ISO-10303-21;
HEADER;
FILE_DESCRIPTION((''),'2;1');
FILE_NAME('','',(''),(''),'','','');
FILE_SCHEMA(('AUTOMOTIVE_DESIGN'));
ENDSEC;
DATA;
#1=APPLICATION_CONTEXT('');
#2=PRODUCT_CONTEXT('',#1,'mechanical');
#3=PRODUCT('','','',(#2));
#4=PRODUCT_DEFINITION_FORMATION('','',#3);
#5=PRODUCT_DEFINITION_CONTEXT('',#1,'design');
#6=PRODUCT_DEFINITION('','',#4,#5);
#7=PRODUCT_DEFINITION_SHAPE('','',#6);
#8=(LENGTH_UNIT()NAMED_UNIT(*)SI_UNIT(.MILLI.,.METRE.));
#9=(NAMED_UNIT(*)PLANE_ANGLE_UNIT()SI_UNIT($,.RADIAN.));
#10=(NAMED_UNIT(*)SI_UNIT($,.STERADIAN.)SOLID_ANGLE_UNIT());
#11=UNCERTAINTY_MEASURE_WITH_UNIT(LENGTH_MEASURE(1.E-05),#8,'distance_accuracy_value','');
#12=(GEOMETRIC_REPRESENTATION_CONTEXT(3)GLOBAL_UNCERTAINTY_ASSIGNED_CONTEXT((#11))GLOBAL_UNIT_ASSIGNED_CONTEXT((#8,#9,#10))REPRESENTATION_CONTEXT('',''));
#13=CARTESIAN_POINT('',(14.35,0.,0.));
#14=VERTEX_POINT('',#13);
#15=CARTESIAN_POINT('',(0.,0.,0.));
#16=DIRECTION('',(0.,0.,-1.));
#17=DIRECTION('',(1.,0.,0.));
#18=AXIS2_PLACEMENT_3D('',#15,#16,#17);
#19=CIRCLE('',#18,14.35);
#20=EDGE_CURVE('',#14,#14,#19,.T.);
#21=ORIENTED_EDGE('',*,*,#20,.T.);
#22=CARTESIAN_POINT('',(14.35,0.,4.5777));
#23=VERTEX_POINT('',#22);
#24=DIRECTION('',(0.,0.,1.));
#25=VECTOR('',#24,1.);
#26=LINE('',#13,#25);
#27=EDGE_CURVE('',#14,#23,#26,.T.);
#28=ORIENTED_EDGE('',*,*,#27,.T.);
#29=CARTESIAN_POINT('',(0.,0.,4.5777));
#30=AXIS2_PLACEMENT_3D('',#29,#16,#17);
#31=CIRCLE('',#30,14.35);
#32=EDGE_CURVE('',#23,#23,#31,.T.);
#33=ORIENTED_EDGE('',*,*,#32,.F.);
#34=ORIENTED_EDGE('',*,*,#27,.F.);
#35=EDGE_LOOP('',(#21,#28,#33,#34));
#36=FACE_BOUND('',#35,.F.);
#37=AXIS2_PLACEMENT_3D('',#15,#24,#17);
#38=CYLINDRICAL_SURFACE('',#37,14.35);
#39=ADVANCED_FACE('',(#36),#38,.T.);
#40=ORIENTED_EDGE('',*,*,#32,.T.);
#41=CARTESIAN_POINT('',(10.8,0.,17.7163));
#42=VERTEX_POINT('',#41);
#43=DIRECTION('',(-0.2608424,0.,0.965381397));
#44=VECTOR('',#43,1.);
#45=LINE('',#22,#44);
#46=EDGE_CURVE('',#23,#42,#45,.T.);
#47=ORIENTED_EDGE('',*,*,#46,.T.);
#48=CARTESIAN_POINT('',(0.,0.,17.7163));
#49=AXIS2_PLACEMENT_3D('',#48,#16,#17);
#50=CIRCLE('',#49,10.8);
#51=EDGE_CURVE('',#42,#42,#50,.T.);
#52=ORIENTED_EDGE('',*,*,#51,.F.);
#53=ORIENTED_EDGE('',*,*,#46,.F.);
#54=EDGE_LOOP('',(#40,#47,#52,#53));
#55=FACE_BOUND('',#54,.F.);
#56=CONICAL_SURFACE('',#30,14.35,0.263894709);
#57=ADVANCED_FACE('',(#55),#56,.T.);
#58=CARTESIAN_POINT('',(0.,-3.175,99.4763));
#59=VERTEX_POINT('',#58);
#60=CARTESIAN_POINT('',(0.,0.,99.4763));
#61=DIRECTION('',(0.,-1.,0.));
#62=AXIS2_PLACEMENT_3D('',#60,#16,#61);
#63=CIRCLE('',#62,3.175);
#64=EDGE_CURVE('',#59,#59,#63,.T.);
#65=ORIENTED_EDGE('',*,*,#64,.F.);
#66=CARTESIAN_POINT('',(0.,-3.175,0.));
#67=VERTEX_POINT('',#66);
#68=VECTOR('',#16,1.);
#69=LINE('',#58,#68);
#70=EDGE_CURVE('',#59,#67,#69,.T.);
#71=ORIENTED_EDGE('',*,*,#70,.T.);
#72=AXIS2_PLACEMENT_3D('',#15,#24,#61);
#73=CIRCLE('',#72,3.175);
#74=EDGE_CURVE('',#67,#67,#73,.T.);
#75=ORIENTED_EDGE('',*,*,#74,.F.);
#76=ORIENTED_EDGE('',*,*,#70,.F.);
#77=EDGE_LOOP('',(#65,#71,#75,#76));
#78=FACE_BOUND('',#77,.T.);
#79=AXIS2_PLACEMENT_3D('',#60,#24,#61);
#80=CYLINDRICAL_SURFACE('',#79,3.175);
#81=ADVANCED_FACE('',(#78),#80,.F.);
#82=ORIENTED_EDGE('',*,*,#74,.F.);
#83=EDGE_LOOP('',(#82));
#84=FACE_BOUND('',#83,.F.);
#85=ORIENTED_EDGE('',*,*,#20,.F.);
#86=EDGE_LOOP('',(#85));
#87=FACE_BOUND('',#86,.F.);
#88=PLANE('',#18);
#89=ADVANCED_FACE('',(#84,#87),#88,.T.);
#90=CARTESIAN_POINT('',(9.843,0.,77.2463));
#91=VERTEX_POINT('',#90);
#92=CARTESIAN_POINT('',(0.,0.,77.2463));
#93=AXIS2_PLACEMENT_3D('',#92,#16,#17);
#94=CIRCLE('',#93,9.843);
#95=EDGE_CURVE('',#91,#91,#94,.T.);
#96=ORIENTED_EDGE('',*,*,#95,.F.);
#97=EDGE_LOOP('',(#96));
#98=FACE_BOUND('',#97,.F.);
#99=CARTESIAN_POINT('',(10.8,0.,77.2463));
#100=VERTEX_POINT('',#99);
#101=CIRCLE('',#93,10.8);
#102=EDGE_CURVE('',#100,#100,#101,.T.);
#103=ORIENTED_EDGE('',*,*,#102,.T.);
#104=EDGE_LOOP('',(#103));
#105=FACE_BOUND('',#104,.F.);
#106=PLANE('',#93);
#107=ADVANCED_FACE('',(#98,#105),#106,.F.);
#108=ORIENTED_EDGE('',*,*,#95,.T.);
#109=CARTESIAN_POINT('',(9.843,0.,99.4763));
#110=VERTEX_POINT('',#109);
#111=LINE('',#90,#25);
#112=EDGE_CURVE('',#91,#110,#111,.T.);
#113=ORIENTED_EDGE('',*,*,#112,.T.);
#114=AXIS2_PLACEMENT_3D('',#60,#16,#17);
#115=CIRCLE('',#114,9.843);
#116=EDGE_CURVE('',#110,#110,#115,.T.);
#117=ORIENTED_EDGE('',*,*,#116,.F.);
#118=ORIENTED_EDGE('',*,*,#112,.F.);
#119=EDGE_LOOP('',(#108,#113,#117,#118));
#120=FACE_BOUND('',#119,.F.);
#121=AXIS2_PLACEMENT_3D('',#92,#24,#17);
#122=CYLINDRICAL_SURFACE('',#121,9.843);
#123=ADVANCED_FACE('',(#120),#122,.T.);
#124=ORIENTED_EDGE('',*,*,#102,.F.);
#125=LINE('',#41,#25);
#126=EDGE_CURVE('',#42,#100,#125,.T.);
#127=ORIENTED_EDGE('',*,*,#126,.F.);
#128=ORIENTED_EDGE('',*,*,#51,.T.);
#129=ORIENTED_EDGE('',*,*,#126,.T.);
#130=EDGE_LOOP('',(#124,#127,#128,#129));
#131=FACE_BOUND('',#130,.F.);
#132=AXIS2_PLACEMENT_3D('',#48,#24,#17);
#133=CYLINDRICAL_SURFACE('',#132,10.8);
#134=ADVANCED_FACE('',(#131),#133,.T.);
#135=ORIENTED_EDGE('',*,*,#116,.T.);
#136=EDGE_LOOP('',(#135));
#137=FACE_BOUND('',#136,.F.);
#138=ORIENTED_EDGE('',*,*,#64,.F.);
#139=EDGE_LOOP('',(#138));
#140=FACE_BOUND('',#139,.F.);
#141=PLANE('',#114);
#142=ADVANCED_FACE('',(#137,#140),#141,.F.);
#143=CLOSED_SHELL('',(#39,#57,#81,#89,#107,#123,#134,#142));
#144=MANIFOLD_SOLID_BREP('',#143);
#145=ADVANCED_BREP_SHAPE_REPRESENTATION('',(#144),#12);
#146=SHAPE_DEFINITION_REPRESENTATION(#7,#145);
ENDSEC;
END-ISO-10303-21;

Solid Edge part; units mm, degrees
sketch "Sketch1" plane through (0, 0, 0) normal (0, -1, 0) x (1, 0, 0)
  line L0 (0, 0) -> (14.35, 0)
  line L1 (14.35, 0) -> (14.35, 4.5777)
  line L2 (14.35, 4.5777) -> (10.8, 17.7163)
  line L3 (10.8, 17.7163) -> (10.8, 99.4763)
  line L4 (10.8, 99.4763) -> (0, 99.4763)
  line L5 (0, 99.4763) -> (0, 0)
  dimension "D1" = 14.35
  dimension "D2" = 4.5777
  dimension "D3" = 10.8
  dimension "D4" = 81.76
revolve "RevolvedProtrusion1" add sketch "Sketch1" angle 360 about axis through (0, 0, 54) along (0, 0, -1)
sketch "Sketch2" plane through (0, 0, 0) normal (0, -1, 0) x (1, 0, 0)
  line L0 (10.8, 99.4763) -> (10.8, 77.2463)
  line L1 (10.8, 77.2463) -> (9.843, 77.2463)
  line L2 (9.843, 77.2463) -> (9.843, 99.4763)
  line L3 (9.843, 99.4763) -> (10.8, 99.4763)
  dimension "D1" = 22.23
  dimension "D2" = 9.843
revolve "RevolvedCutout1" cut sketch "Sketch2" angle 360 about axis through (0, 0, 54) along (0, 0, -1)
hole "Hole1" at (0, 0, 99.4763) direction (0, 0, -1) diameter 6.35 end up to next
